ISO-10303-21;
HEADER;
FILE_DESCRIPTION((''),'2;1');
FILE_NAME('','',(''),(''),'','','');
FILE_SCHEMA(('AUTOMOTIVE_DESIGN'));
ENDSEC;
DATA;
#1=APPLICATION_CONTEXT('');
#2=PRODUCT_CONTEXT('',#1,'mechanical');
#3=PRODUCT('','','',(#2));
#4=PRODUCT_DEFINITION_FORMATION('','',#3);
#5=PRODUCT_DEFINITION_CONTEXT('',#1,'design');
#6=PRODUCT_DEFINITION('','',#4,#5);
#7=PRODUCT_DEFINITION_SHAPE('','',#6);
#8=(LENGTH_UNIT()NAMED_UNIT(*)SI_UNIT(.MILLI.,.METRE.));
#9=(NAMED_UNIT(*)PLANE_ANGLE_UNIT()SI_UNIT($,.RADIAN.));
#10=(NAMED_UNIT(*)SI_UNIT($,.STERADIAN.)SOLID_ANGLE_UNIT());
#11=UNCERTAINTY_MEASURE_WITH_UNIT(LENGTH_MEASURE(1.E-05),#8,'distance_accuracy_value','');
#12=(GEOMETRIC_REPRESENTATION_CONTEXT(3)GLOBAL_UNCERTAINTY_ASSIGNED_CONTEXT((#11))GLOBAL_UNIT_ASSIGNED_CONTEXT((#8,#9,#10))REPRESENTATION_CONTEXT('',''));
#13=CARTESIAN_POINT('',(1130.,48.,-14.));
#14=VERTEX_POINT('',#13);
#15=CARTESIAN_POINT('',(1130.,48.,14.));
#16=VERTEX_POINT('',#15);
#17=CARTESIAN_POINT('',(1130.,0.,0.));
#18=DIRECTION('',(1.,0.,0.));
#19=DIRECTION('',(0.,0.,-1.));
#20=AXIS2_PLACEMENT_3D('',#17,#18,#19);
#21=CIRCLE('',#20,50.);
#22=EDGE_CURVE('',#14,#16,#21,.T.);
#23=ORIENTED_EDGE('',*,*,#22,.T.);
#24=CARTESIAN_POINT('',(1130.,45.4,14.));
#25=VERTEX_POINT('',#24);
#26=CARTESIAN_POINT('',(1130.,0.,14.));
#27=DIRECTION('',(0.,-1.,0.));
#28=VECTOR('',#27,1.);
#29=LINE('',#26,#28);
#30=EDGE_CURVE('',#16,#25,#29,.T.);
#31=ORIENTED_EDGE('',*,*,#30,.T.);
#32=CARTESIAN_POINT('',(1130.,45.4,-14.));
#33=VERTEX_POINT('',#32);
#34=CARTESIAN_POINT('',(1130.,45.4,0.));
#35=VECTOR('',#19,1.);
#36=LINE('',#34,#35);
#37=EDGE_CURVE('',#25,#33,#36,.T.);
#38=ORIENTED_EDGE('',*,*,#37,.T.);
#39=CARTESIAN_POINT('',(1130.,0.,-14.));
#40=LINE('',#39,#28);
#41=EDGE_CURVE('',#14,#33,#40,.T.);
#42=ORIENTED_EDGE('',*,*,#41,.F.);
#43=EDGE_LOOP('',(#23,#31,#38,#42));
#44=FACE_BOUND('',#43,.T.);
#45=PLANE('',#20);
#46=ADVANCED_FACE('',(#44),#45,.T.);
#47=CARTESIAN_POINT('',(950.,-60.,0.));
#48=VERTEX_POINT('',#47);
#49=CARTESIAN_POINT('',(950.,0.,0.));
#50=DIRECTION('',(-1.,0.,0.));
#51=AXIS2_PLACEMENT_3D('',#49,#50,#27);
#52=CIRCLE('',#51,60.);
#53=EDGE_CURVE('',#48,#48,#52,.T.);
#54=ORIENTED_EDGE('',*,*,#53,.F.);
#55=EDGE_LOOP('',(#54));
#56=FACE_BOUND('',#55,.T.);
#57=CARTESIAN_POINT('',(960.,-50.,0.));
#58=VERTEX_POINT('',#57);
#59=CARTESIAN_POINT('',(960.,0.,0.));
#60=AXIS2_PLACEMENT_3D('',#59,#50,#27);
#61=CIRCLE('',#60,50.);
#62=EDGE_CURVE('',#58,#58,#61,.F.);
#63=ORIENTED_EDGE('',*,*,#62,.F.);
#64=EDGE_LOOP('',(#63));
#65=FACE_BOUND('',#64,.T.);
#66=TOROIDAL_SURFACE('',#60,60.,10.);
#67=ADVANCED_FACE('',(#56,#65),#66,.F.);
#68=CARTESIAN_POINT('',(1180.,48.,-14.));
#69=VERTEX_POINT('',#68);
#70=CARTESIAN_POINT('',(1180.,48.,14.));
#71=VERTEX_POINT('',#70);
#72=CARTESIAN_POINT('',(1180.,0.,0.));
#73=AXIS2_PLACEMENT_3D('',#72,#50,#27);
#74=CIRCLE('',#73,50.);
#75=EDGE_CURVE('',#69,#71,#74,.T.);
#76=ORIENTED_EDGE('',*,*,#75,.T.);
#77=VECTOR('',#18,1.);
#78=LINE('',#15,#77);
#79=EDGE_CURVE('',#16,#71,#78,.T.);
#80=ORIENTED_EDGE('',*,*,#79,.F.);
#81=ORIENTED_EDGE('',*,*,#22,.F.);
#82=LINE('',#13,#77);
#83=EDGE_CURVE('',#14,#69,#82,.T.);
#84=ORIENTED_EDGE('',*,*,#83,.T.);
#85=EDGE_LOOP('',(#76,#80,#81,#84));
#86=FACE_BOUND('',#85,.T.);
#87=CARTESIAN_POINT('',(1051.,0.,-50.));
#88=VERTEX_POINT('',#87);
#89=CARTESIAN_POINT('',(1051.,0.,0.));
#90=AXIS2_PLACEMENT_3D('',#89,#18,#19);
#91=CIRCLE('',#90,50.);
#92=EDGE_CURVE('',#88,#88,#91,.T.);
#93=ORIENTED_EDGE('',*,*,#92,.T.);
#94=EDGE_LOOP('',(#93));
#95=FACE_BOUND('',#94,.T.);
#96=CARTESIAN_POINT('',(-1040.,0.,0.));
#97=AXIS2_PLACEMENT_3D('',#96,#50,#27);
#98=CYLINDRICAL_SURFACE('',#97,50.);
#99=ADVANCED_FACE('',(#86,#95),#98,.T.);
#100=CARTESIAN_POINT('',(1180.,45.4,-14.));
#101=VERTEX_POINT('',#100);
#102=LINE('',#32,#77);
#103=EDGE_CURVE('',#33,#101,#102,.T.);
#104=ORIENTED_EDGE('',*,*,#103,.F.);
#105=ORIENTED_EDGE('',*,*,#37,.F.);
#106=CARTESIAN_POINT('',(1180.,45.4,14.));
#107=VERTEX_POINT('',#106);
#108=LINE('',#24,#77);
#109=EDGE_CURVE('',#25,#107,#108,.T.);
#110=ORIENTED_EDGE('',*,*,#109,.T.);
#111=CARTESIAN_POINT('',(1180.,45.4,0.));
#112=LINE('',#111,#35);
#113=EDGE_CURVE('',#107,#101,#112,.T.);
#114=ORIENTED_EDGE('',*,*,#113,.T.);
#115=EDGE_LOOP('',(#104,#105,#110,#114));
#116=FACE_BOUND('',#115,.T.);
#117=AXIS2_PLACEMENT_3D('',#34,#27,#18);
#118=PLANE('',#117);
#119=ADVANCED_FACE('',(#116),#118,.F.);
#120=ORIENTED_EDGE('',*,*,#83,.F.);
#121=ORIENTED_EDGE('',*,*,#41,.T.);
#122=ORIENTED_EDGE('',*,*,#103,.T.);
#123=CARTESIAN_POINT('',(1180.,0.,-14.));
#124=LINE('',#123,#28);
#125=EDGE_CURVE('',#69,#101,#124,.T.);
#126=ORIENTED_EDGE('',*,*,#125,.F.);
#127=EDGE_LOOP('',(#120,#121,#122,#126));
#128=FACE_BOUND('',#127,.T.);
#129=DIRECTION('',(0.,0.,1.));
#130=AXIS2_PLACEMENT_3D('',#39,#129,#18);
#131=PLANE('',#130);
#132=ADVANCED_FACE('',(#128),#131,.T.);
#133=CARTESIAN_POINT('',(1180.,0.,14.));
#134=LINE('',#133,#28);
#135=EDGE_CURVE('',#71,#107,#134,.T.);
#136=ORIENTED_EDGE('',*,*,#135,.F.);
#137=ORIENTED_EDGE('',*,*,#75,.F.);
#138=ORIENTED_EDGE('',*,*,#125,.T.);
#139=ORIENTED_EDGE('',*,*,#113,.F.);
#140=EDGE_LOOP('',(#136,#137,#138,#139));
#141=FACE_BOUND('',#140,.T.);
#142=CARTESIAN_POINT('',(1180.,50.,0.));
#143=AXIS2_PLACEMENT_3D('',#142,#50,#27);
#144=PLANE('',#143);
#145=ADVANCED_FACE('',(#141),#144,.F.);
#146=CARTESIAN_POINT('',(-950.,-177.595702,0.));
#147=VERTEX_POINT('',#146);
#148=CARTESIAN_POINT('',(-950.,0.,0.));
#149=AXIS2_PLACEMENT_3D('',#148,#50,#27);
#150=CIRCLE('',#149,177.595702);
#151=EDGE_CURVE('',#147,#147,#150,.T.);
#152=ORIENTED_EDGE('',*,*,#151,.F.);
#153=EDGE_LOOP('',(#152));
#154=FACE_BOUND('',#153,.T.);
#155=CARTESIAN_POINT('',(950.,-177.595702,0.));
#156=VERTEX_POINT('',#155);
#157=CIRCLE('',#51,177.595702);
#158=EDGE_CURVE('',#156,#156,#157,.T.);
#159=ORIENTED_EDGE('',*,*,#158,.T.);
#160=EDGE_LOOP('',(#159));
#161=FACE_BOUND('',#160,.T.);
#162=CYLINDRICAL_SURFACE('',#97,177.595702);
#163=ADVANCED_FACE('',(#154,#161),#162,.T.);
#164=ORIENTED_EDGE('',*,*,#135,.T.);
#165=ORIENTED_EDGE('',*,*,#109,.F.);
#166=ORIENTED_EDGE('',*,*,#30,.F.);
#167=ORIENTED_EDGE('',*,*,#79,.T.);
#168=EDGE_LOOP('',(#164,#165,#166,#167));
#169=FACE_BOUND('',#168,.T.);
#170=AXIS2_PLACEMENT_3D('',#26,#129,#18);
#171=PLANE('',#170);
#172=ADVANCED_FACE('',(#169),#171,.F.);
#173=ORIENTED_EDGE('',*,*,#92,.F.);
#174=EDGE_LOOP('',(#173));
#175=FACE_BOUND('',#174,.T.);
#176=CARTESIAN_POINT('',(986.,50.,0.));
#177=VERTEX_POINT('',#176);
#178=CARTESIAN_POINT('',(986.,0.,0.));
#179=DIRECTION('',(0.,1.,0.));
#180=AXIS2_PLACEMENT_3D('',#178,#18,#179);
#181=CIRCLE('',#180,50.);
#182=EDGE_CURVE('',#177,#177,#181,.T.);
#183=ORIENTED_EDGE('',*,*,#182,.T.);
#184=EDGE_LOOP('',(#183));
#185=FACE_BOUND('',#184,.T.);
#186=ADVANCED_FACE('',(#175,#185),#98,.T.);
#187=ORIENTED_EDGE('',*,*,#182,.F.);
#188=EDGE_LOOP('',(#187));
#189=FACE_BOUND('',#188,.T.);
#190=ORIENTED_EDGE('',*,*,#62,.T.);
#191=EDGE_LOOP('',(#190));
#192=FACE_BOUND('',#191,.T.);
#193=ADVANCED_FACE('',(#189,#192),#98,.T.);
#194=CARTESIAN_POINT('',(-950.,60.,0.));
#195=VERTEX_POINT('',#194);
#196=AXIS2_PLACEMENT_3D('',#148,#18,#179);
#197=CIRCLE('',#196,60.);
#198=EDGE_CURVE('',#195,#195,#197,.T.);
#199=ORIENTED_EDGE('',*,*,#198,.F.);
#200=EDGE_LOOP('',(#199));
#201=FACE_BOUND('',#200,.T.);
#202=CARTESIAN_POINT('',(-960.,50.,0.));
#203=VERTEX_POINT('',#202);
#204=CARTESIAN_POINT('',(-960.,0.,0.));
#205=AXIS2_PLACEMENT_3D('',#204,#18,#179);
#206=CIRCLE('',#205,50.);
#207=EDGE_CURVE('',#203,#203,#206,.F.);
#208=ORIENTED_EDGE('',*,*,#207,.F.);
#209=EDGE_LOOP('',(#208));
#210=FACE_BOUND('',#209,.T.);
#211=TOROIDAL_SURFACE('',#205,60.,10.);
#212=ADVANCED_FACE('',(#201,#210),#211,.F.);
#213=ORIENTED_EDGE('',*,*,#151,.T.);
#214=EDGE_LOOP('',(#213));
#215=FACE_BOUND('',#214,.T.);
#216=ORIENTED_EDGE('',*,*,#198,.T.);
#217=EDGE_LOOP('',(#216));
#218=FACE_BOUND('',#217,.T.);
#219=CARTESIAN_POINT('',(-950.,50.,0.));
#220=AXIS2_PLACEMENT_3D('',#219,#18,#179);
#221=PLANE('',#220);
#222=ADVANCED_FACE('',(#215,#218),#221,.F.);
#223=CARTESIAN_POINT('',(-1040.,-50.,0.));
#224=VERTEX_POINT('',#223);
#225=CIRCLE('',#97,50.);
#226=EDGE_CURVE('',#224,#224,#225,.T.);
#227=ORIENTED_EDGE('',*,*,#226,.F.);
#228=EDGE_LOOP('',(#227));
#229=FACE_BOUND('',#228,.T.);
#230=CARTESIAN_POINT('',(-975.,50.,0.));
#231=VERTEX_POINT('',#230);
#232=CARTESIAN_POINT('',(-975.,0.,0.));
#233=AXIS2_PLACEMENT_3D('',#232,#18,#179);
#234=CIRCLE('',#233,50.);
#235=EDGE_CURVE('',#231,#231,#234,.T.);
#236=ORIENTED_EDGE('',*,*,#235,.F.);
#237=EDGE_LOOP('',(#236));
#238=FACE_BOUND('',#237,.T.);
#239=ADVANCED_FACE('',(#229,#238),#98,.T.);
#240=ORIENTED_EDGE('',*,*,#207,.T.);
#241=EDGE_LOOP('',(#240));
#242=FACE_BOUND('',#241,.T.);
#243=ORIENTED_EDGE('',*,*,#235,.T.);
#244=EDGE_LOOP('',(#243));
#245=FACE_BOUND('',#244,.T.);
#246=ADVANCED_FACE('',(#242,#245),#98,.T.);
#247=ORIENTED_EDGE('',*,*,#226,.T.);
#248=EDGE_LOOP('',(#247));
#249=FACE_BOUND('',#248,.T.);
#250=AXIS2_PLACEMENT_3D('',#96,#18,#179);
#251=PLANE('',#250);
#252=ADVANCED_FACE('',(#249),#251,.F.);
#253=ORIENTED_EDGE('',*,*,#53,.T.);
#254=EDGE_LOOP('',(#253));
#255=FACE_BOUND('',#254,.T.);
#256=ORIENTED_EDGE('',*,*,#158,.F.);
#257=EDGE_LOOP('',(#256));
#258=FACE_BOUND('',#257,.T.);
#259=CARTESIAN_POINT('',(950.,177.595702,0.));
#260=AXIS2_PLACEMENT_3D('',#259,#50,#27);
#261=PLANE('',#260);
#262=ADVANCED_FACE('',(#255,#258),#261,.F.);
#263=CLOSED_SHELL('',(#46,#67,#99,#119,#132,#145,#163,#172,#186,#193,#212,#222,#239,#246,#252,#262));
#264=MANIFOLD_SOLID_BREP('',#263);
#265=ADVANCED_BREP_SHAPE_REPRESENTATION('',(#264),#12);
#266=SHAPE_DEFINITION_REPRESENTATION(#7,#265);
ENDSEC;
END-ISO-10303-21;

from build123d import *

# Parameters (mm, degrees)
FILLET1_R          = 10
CUT_EXTRUDE1_START = -50
CUT_EXTRUDE1_DEPTH = 50


with BuildPart() as part:
    # Sketch1 → Revolve1 (revolve)
    with BuildSketch(Plane.XY, mode=Mode.PRIVATE) as revolve1_sk:
        Polygon((-1040, 0), (1180, 0), (1180, 50), (950, 50), (950, 177.595701724), (0, 177.595701724), (-950, 177.595701724), (-950, 50), (-1040, 50), align=None)
    revolve(revolve1_sk.sketch.rotate(Axis((-1040, 0, 0), (1, 0, 0)), 180), axis=Axis((-1040, 0, 0), (1, 0, 0)))

    # Fillet1
    fillet1_edges = [part.edges().sort_by_distance(p)[0] for p in [
        (950, 50, 0),
        (-950, 50, 0),
    ]]
    fillet(fillet1_edges, radius=FILLET1_R)

    # Sketch2 → Cut-Extrude1 (cut)
    with BuildSketch(Plane(origin=(1180, 0, 0), x_dir=(0, 0, -1), z_dir=(1, 0, 0)).offset(CUT_EXTRUDE1_START)):
        with BuildLine():
            ThreePointArc((14, 48), (0, 50), (-14, 48))
            Line((-14, 48), (-14, 45.4))
            Line((-14, 45.4), (14, 45.4))
            Line((14, 45.4), (14, 48))
        make_face()
    extrude(amount=CUT_EXTRUDE1_DEPTH, mode=Mode.SUBTRACT)


solid = part.part
